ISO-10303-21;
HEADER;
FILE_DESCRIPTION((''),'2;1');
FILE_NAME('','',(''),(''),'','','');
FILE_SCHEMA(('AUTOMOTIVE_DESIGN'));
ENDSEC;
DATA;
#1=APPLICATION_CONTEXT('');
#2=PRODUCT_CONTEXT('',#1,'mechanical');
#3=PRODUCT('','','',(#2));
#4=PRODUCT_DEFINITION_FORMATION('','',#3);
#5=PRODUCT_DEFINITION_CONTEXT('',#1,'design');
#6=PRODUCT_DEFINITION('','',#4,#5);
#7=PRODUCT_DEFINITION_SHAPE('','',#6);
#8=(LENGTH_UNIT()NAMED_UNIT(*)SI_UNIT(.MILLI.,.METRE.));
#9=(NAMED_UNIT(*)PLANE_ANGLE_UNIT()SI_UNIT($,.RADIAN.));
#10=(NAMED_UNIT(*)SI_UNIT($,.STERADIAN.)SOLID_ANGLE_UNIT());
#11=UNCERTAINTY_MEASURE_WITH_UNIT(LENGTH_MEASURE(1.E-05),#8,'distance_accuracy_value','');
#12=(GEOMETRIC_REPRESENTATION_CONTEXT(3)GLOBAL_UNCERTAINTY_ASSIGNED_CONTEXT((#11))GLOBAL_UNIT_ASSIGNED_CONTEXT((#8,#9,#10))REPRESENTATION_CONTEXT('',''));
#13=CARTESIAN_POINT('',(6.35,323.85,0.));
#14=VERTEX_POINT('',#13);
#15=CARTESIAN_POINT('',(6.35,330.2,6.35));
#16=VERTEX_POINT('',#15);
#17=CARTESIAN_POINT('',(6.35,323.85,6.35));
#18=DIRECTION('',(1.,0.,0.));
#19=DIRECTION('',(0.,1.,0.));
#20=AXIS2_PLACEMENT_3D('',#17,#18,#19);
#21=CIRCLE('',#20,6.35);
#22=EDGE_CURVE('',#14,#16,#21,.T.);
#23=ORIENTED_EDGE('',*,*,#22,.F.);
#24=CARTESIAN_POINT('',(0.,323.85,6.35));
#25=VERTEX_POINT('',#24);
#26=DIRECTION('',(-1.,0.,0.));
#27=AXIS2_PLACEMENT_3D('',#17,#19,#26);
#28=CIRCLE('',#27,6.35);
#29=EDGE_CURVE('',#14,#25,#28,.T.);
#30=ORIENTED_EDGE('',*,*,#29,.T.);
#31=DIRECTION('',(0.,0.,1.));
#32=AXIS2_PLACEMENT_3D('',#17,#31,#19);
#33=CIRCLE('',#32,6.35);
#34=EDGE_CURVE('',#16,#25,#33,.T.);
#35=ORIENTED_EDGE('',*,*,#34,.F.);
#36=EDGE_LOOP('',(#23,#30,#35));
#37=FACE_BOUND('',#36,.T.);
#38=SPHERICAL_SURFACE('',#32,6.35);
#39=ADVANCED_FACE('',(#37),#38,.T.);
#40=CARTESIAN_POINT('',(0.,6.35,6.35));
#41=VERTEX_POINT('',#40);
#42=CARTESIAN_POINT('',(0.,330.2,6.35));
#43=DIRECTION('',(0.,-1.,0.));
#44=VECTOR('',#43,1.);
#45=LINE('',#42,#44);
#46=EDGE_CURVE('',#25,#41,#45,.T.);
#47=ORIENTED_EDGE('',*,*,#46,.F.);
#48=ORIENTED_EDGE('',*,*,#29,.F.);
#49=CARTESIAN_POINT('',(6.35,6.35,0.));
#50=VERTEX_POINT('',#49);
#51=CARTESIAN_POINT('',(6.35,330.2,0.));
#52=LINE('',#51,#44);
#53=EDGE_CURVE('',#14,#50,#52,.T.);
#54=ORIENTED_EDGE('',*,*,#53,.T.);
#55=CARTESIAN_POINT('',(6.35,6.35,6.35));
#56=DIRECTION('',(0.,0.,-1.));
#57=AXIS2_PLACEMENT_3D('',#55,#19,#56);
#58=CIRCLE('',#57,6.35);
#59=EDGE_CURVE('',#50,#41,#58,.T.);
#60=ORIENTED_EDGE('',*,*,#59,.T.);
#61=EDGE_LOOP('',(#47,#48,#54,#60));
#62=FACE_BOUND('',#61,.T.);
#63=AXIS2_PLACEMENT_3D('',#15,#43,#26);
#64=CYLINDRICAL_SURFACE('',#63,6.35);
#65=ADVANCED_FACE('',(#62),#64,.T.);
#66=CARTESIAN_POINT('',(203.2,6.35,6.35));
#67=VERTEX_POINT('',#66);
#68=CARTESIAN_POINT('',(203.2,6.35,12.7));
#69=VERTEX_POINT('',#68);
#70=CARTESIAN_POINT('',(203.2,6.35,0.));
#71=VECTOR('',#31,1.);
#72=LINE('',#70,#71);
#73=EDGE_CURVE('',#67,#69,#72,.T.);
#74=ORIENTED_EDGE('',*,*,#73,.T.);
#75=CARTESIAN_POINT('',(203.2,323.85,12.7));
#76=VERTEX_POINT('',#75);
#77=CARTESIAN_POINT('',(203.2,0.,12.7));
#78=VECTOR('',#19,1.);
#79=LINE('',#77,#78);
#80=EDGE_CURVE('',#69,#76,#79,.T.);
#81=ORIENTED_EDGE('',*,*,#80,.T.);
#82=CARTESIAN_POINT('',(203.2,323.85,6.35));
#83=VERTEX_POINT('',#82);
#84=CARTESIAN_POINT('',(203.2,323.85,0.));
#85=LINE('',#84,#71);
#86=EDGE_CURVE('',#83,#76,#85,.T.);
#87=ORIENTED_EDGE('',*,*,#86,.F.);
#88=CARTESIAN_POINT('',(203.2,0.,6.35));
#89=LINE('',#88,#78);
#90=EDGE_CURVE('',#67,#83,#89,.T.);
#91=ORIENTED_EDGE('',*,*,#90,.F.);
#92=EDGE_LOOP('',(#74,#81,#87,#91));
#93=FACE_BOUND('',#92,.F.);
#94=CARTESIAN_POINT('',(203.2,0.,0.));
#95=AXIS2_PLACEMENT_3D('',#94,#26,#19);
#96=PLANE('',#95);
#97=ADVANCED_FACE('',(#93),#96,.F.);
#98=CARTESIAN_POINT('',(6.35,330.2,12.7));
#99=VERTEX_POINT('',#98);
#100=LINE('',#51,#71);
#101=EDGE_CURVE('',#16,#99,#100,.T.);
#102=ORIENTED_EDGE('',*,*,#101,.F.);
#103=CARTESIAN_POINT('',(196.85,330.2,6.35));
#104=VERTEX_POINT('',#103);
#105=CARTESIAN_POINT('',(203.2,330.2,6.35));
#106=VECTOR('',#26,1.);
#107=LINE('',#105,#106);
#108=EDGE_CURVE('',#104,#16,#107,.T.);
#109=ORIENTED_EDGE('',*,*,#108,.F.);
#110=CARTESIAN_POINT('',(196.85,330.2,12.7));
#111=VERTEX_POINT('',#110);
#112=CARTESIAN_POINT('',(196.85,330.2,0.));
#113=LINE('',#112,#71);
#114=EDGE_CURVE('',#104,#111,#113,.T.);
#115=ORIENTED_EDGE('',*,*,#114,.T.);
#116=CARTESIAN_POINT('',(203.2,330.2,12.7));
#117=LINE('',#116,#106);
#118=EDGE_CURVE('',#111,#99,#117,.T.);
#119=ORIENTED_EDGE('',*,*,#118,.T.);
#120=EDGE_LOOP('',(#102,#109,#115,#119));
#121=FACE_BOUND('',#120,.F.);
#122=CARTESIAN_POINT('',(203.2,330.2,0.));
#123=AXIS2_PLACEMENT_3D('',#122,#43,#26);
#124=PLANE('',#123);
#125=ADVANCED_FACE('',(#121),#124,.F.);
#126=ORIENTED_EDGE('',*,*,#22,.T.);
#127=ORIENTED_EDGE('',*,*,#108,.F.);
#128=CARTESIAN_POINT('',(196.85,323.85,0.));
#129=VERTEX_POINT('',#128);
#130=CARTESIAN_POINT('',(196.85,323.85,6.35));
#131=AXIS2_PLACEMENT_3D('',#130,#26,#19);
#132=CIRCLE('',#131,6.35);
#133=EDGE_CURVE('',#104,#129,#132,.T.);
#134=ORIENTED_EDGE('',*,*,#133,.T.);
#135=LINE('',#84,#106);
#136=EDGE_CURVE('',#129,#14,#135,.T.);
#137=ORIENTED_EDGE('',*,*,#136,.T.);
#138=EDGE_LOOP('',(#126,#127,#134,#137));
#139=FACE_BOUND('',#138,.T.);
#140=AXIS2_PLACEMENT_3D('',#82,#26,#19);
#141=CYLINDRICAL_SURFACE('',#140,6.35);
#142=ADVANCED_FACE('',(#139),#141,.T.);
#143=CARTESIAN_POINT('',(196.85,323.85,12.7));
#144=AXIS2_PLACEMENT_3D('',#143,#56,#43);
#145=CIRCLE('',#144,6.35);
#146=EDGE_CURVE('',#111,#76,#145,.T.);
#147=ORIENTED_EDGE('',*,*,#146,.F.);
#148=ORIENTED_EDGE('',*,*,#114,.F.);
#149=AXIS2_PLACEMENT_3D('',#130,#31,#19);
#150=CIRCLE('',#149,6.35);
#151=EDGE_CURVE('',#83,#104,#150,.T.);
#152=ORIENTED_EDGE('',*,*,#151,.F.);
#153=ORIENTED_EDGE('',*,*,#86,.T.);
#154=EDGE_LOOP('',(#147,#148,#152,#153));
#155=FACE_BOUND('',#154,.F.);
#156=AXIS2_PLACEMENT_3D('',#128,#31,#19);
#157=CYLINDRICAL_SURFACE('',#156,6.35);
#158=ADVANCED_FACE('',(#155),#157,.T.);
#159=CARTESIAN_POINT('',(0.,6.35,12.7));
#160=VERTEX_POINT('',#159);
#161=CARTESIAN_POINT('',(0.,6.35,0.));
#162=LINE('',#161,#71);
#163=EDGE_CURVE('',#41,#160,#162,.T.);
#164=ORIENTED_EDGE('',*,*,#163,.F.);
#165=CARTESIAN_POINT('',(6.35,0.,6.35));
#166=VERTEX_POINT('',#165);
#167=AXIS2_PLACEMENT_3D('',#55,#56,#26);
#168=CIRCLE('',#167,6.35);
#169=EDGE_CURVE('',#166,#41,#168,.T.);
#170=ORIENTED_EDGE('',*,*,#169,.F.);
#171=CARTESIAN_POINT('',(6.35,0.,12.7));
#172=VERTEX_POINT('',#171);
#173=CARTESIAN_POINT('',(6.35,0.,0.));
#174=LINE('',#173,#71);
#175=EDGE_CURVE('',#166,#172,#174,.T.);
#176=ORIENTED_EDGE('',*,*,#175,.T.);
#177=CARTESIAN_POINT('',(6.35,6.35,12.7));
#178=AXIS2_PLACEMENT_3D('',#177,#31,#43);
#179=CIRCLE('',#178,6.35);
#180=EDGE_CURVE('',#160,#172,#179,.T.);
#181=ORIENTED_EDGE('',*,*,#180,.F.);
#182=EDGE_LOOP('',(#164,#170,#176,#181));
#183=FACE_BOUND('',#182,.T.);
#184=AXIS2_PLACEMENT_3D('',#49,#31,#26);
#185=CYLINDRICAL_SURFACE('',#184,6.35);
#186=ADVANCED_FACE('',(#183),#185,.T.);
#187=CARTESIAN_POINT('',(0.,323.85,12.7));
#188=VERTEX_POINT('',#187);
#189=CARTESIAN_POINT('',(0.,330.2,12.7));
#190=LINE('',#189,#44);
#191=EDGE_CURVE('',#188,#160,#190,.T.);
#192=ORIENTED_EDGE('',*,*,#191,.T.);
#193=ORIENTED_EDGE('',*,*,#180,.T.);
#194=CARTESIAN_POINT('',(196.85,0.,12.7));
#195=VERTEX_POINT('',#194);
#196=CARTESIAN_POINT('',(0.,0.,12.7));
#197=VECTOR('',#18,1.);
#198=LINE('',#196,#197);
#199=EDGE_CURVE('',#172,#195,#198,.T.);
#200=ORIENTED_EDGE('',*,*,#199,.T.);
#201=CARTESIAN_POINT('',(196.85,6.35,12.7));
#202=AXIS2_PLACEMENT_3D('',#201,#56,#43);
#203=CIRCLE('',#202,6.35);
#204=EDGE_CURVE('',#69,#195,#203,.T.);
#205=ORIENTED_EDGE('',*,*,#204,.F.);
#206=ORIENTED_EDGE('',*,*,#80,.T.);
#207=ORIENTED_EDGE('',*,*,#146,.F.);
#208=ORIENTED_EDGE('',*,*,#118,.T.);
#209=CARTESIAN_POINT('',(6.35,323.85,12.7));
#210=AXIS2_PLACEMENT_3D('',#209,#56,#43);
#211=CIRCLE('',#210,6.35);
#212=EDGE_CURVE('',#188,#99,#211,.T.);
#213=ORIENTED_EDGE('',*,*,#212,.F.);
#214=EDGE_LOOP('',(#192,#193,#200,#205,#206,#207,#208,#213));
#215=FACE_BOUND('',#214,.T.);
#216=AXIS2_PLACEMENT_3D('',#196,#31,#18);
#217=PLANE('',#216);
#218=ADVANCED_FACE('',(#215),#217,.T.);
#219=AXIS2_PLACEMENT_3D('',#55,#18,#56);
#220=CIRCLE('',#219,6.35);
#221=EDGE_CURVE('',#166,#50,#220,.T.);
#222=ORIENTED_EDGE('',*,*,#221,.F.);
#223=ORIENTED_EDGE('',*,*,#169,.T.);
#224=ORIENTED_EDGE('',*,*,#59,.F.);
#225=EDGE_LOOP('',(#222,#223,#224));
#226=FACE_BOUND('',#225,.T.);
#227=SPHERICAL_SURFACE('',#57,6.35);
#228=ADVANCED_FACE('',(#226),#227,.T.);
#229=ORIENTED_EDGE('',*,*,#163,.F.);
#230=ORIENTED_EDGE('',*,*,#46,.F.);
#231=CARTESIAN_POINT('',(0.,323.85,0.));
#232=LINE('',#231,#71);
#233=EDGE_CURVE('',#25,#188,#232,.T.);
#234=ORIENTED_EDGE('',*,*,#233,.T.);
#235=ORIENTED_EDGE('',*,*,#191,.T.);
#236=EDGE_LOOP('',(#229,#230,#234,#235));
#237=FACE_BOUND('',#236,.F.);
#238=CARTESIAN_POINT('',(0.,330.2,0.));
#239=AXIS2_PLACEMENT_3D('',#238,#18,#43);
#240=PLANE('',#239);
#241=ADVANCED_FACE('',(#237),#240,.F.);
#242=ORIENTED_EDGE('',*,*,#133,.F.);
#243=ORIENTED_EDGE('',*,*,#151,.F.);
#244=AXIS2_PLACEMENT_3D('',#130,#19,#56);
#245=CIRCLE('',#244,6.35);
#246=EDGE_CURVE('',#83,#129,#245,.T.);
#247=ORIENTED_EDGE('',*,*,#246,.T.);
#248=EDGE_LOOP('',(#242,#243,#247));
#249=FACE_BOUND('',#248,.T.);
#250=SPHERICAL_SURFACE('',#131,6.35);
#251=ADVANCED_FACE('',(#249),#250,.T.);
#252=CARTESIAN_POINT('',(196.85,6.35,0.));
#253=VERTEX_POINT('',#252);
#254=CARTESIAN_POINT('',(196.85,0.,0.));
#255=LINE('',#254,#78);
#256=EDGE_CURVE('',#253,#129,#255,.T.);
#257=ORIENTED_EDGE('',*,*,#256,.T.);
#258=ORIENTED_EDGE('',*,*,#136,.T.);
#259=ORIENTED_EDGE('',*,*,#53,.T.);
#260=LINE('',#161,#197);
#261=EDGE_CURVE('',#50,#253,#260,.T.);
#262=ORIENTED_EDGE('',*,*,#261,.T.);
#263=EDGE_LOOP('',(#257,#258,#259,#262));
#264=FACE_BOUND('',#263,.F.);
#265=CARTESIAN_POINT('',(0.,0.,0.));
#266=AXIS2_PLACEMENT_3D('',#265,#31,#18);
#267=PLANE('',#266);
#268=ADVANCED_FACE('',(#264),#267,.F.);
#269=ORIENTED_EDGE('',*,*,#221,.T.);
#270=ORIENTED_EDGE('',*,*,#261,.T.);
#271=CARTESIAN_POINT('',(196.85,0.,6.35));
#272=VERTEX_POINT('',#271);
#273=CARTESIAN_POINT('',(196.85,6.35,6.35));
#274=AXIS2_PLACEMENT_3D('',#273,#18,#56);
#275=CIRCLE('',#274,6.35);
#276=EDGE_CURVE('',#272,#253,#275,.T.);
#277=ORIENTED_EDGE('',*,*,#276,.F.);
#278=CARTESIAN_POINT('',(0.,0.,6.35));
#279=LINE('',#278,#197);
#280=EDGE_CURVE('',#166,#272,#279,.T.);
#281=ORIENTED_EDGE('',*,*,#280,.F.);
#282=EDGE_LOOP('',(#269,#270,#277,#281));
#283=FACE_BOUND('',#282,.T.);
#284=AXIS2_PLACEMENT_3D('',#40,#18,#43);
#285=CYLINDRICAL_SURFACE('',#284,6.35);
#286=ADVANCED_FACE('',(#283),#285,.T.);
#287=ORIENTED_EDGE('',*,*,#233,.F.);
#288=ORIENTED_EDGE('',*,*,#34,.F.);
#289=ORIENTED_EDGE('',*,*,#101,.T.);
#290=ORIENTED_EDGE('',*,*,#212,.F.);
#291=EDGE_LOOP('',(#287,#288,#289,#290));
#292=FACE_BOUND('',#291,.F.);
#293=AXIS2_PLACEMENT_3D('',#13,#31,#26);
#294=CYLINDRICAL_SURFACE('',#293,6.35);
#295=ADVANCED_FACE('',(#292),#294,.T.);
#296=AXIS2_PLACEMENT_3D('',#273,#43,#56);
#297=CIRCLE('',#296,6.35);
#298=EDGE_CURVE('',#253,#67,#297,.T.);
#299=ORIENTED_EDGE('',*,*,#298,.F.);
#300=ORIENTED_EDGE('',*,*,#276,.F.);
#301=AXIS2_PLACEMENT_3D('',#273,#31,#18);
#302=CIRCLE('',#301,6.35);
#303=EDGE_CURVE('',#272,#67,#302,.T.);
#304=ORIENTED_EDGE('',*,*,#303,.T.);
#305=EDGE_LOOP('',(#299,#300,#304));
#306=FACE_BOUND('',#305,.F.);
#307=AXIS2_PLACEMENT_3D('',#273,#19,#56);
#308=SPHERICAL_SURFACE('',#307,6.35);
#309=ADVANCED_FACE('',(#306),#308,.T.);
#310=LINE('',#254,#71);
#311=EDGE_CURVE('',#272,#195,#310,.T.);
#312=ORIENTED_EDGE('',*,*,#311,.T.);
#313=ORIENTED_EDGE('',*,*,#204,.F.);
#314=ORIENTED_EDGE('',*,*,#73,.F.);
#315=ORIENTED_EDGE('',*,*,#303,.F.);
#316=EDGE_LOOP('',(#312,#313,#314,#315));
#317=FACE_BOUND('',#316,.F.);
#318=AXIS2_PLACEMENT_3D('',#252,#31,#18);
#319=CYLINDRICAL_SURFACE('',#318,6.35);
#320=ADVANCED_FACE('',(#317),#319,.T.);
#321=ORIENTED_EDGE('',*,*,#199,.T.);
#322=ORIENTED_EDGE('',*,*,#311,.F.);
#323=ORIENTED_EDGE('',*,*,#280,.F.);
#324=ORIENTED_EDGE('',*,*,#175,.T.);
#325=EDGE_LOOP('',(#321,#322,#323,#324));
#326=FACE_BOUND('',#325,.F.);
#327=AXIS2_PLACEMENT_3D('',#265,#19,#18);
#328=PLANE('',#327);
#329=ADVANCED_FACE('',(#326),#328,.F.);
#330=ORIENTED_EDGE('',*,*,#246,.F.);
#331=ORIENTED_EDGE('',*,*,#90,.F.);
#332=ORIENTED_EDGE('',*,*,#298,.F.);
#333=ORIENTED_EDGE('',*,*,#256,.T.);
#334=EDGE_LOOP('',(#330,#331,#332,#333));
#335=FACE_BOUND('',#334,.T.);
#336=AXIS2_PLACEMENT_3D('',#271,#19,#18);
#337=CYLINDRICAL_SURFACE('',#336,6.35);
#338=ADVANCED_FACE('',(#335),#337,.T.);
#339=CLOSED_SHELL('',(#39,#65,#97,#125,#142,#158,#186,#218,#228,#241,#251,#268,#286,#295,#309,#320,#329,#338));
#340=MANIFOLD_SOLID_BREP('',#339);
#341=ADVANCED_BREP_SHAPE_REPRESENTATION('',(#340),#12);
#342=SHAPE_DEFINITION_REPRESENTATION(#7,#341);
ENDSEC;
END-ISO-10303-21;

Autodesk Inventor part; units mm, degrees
ref_plane "YZ Plane" through (0, 0, 0) normal (1, 0, 0) x (0, 1, 0)
ref_plane "XZ Plane" through (0, 0, 0) normal (0, 1, 0) x (-1, 0, 0)
ref_plane "XY Plane" through (0, 0, 0) normal (0, 0, 1) x (1, 0, 0)
sketch "Sketch1" plane through (0, 0, 0) normal (0, 0, 1) x (1, 0, 0)
  line L0 (0, 0) -> (203.2, 0)
  line L1 (203.2, 0) -> (203.2, 330.2)
  line L2 (203.2, 330.2) -> (0, 330.2)
  line L3 (0, 330.2) -> (0, 0)
  dimension "d7" = 203.2
  dimension "d8" = 330.2
extrude "Extrusion1" add sketch "Sketch1" along normal blind 12.7
fillet "Fillet1" radius 6.35 8 edges at (0, 330.2, 6.35) (101.6, 330.2, 0) (0, 165.1, 0) (203.2, 330.2, 6.35) (203.2, 165.1, 0) (101.6, 0, 0) (0, 0, 6.35) (203.2, 0, 6.35)
properties material "MDF Medium Density Fiberboard"
